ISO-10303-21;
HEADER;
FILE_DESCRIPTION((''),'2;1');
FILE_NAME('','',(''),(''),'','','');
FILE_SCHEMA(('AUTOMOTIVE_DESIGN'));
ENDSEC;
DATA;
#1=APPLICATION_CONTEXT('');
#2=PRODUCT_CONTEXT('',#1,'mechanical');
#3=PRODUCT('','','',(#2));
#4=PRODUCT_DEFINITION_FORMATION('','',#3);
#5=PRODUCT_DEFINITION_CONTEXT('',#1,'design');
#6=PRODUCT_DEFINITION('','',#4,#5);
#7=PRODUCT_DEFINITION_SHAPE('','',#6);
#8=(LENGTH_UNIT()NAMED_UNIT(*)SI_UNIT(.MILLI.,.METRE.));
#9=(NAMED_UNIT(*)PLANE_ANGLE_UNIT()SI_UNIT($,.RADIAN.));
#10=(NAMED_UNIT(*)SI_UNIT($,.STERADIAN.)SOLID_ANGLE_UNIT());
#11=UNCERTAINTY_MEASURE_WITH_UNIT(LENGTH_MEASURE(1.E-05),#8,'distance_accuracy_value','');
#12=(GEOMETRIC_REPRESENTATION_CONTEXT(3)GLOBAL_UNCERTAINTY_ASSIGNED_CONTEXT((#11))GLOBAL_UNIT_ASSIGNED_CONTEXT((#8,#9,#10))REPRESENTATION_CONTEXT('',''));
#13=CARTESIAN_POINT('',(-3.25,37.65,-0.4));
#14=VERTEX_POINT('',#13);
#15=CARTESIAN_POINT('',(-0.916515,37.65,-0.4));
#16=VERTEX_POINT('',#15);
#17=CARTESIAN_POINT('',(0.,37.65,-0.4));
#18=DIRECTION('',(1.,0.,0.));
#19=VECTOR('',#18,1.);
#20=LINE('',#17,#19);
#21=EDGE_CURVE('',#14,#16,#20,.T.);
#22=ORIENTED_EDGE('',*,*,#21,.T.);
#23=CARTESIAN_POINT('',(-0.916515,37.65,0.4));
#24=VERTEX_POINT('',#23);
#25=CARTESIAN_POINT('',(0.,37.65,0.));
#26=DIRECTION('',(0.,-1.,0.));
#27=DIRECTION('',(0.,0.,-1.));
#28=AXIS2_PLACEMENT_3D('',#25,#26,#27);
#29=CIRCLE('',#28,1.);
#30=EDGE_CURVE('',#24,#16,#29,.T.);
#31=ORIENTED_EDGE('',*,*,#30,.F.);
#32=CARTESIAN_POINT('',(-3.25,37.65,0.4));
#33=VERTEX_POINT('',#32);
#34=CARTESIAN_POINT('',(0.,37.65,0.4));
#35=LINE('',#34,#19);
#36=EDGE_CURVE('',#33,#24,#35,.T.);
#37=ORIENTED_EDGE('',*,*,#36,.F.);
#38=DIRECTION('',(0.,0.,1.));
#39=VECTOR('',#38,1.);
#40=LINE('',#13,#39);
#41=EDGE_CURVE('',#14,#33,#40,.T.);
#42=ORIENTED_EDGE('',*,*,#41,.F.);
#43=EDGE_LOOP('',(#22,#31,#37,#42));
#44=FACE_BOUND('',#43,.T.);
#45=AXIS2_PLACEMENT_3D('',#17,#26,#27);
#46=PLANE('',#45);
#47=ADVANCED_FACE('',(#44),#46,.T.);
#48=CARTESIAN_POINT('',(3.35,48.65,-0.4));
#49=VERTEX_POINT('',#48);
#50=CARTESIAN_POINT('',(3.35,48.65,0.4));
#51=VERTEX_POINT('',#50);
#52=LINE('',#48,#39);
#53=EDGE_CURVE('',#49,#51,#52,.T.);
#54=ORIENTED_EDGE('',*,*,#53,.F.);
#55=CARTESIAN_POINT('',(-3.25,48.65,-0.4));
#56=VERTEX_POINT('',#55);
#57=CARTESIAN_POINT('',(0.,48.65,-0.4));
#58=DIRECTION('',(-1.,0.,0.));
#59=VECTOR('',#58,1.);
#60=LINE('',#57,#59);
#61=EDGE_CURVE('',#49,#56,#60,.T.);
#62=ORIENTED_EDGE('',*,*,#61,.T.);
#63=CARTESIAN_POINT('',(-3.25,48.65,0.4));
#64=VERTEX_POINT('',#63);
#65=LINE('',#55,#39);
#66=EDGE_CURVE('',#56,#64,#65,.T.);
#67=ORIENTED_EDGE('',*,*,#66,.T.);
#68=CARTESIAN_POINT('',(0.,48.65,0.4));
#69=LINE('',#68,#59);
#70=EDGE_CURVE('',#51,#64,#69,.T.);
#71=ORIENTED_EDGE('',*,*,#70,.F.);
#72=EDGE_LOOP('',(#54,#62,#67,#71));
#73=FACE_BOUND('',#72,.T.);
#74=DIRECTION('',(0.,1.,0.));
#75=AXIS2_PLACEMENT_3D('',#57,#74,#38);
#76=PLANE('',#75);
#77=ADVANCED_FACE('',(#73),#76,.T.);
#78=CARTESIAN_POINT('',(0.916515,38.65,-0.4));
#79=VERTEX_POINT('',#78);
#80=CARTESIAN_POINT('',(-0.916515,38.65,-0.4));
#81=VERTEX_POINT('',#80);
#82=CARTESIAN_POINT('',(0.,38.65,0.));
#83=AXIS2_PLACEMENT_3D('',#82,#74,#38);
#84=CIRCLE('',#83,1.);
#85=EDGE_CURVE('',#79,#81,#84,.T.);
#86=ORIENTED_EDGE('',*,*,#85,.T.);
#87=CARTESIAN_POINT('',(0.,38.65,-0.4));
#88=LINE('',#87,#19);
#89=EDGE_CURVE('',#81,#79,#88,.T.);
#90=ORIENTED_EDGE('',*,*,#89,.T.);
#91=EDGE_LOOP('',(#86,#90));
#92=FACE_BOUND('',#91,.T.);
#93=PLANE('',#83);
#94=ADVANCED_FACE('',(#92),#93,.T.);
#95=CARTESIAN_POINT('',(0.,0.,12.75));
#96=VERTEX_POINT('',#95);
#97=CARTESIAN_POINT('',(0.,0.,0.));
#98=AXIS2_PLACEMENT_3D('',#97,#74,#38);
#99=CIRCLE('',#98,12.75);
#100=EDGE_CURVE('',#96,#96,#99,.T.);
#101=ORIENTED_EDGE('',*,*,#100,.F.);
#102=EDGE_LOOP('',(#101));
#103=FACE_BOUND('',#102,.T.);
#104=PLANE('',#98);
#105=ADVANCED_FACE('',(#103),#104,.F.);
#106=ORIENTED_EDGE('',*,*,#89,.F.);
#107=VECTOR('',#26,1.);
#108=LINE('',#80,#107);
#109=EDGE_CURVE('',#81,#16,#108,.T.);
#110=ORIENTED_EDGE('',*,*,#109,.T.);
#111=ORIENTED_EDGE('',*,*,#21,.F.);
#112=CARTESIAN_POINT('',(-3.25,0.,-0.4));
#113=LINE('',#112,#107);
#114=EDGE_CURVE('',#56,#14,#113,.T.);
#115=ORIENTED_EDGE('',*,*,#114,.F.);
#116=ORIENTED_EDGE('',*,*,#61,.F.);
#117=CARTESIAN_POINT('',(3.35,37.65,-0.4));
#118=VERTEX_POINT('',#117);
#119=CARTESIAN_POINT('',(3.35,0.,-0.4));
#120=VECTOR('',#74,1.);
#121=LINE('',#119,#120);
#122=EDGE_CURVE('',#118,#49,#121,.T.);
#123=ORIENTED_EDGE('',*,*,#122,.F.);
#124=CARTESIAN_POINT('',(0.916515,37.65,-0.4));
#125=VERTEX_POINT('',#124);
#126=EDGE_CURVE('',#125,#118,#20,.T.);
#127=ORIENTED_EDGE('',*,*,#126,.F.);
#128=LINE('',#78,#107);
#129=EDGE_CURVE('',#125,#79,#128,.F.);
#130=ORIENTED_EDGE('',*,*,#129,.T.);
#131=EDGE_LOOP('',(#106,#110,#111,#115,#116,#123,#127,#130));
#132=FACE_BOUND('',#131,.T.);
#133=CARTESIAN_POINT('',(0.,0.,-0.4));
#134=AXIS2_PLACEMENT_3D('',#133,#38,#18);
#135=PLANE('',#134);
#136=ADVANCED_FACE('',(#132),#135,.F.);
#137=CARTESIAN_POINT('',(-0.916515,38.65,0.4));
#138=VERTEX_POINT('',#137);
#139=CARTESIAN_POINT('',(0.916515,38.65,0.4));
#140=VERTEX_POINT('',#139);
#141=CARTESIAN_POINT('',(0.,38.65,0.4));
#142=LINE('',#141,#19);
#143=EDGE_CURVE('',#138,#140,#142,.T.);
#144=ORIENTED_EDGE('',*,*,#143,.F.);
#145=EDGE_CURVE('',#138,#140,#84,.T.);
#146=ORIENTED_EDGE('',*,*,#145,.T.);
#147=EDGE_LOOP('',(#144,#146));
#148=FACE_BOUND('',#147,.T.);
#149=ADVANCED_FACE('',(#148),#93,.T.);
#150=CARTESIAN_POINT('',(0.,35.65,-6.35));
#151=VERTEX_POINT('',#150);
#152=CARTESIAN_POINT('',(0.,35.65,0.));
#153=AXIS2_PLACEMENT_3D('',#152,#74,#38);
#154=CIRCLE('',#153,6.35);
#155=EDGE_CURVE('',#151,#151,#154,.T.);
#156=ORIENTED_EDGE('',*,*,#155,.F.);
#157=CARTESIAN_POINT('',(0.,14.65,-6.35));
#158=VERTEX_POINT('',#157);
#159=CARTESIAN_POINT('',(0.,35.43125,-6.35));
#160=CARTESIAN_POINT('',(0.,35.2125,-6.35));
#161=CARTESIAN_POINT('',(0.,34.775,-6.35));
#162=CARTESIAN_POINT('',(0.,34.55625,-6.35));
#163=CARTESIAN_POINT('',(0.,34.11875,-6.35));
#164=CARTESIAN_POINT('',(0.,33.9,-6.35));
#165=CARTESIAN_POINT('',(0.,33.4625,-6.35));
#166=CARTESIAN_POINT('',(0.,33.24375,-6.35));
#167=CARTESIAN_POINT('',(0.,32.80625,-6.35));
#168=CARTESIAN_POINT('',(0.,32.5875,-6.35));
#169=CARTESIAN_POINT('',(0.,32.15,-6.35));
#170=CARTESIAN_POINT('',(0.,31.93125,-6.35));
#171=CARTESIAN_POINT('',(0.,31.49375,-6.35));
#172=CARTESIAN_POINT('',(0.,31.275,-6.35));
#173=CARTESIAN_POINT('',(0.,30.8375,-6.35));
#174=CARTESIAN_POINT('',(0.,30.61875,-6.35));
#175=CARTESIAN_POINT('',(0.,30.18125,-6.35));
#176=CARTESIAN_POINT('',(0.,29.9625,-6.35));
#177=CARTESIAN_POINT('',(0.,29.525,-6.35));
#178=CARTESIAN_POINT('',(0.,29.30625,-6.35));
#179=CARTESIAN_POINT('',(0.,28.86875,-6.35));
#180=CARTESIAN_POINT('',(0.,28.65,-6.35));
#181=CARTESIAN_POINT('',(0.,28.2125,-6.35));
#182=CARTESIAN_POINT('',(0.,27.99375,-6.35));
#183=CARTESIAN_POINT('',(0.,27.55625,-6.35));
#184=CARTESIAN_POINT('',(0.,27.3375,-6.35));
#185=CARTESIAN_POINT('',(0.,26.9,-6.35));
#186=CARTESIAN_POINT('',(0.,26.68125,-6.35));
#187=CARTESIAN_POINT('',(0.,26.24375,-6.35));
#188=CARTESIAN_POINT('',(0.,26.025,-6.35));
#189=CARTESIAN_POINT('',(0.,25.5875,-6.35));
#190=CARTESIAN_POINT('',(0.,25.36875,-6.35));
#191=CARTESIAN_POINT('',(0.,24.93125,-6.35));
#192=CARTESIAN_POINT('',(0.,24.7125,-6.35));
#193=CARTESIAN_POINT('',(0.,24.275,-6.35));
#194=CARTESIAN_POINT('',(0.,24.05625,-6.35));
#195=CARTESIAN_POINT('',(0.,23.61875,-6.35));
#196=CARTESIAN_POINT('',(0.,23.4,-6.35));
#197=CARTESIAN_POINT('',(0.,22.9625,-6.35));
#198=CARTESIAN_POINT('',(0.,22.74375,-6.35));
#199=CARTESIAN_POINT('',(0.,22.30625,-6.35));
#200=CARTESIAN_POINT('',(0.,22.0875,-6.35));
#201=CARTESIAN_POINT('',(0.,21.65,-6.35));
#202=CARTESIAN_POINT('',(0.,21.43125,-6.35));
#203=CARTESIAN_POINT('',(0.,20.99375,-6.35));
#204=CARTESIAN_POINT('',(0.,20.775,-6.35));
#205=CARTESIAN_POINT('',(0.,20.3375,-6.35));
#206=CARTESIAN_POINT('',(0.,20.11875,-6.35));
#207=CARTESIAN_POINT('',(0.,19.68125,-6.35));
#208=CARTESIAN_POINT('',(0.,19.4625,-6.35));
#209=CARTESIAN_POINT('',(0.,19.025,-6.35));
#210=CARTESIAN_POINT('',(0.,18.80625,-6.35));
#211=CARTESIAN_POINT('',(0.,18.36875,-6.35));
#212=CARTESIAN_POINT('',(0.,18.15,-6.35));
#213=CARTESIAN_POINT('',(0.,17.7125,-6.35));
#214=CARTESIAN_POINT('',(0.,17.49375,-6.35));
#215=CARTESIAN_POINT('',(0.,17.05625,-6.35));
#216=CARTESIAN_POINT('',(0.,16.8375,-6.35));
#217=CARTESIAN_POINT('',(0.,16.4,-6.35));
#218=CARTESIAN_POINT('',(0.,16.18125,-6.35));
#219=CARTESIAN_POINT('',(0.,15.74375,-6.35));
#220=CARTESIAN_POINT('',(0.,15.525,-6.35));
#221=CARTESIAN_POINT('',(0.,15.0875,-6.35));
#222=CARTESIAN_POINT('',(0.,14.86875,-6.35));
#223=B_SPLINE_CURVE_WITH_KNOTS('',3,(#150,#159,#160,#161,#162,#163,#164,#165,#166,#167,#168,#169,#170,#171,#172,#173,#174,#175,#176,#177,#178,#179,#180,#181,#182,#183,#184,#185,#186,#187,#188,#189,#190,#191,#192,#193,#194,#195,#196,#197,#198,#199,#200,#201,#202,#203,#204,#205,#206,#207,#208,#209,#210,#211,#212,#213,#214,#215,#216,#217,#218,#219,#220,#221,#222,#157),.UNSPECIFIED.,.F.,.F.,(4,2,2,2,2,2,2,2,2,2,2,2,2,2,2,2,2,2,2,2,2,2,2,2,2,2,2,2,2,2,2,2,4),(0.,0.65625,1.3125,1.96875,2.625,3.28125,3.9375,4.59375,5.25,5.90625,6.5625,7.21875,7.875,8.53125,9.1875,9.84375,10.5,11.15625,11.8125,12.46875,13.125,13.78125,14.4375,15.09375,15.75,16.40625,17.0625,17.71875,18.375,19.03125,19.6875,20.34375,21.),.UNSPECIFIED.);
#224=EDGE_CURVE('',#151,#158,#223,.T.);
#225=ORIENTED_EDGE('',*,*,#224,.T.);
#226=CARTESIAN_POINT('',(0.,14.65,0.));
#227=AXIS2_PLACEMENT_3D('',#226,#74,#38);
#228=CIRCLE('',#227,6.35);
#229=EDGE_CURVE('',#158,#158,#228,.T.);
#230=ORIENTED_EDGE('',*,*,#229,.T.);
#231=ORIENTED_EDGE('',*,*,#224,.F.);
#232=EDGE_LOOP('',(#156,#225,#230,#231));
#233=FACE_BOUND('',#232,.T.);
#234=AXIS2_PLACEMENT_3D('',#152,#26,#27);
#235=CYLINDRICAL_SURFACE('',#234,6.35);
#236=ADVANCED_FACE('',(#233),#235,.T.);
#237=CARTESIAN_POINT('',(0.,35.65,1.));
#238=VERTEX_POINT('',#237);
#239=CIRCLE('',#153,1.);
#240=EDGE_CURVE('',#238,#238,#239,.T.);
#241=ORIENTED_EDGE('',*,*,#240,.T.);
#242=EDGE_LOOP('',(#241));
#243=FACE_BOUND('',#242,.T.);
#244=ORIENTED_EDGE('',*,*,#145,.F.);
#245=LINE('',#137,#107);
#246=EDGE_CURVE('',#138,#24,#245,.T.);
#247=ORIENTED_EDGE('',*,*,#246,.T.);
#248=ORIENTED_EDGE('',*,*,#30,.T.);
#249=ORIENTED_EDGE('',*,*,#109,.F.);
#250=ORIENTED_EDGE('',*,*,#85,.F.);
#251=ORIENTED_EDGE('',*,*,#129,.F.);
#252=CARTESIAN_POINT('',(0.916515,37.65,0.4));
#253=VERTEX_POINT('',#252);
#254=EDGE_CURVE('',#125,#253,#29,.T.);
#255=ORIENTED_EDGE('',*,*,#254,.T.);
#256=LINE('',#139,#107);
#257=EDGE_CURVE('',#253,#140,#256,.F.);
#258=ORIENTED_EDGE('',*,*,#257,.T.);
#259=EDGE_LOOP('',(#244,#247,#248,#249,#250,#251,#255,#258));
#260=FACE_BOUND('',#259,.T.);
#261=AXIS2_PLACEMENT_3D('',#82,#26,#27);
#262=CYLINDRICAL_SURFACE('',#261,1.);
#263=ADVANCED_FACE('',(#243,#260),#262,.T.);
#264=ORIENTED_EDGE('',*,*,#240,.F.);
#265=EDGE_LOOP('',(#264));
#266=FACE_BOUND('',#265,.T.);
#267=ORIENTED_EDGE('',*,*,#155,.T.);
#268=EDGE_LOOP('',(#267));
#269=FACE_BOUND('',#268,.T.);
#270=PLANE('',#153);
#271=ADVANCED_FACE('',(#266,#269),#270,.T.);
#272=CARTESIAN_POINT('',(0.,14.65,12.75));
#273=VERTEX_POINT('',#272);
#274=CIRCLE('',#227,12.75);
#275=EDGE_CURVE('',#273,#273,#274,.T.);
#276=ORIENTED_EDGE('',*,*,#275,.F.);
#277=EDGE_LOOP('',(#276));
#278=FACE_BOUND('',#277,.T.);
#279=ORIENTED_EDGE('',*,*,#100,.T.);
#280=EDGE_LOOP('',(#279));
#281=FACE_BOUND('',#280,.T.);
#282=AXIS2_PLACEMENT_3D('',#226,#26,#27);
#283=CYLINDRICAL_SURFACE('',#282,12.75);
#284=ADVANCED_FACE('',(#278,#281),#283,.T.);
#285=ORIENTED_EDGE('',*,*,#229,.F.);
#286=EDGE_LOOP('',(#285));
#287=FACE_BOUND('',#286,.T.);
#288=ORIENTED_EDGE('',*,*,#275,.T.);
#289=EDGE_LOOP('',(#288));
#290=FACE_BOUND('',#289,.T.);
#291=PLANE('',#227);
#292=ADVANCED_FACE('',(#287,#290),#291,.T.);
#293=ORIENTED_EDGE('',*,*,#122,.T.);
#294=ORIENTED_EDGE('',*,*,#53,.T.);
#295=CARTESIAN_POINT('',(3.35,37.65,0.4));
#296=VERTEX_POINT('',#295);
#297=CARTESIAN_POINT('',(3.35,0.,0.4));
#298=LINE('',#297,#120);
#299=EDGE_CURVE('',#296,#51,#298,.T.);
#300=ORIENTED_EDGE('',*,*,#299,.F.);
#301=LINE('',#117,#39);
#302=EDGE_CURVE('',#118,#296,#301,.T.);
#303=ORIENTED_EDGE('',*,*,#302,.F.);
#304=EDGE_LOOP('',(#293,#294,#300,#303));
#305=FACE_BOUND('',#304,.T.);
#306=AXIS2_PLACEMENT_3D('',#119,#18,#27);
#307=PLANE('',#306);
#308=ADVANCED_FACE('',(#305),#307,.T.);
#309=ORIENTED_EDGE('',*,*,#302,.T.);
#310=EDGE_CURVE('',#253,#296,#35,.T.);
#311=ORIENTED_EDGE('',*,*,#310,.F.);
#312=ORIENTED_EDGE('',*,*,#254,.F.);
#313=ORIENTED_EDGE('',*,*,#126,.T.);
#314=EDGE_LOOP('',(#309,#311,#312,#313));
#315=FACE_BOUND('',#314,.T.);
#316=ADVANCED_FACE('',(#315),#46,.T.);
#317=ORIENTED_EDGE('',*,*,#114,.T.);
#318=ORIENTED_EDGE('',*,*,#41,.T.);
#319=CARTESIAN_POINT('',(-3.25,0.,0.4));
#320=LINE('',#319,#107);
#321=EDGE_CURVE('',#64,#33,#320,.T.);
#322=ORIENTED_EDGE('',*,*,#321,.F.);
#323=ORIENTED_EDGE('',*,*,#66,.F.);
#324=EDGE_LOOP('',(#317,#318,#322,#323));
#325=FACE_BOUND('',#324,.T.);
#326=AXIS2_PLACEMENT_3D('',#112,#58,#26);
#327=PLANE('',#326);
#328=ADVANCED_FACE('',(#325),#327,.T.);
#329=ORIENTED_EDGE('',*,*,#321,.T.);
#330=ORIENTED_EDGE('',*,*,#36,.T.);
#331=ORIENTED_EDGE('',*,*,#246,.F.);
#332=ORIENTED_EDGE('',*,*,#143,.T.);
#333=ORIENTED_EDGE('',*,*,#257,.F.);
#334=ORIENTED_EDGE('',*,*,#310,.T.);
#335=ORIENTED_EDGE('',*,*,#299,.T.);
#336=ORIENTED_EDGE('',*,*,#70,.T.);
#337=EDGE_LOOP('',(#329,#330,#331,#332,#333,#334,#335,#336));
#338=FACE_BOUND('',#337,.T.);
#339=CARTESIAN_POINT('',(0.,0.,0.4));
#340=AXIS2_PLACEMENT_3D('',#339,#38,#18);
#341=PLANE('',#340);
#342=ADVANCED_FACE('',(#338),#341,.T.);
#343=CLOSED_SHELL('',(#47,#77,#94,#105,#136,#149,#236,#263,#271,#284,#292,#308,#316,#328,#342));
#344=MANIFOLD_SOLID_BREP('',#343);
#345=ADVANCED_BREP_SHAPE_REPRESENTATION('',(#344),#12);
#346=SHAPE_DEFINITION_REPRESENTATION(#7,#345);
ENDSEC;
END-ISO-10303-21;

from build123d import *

# Parameters (mm, degrees)
SKETCH_1_R           = 12.75
EXTRUDE_1_DEPTH      = 14.65
SKETCH_2_R           = 6.35
EXTRUDE_2_DEPTH      = 21
SKETCH_3_R           = 1
EXTRUDE_3_DEPTH      = 3
EXTRUDE_4_DEPTH      = 0.4
EXTRUDE_4_DEPTH_BACK = 0.4
SKETCH_4_W           = 6.6
SKETCH_4_H           = 11


with BuildPart() as part:
    # 草图1 → 凸台-拉伸1 (new body)
    with BuildSketch(Plane(origin=(0, 0, 0), x_dir=(1, 0, 0), z_dir=(0, 1, 0))):
        Circle(SKETCH_1_R)
    extrude(amount=EXTRUDE_1_DEPTH)

    # 草图2 → 凸台-拉伸2 (add)
    with BuildSketch(Plane(origin=(0, 14.65, 0), x_dir=(1, 0, 0), z_dir=(0, 1, 0))):
        Circle(SKETCH_2_R)
    extrude(amount=EXTRUDE_2_DEPTH)

    # 草图3 → 凸台-拉伸3 (add)
    with BuildSketch(Plane(origin=(0, 35.65, 0), x_dir=(1, 0, 0), z_dir=(0, 1, 0))):
        Circle(SKETCH_3_R)
    extrude(amount=EXTRUDE_3_DEPTH)

    # 草图4 → 凸台-拉伸4 (add, two sides: drawn at the far end of the back side and taken through both)
    with BuildSketch(Plane.XY.offset(-EXTRUDE_4_DEPTH_BACK)):
        with Locations((0.05, 43.15)):
            Rectangle(SKETCH_4_W, SKETCH_4_H)
    extrude(amount=EXTRUDE_4_DEPTH + EXTRUDE_4_DEPTH_BACK)


solid = part.part
